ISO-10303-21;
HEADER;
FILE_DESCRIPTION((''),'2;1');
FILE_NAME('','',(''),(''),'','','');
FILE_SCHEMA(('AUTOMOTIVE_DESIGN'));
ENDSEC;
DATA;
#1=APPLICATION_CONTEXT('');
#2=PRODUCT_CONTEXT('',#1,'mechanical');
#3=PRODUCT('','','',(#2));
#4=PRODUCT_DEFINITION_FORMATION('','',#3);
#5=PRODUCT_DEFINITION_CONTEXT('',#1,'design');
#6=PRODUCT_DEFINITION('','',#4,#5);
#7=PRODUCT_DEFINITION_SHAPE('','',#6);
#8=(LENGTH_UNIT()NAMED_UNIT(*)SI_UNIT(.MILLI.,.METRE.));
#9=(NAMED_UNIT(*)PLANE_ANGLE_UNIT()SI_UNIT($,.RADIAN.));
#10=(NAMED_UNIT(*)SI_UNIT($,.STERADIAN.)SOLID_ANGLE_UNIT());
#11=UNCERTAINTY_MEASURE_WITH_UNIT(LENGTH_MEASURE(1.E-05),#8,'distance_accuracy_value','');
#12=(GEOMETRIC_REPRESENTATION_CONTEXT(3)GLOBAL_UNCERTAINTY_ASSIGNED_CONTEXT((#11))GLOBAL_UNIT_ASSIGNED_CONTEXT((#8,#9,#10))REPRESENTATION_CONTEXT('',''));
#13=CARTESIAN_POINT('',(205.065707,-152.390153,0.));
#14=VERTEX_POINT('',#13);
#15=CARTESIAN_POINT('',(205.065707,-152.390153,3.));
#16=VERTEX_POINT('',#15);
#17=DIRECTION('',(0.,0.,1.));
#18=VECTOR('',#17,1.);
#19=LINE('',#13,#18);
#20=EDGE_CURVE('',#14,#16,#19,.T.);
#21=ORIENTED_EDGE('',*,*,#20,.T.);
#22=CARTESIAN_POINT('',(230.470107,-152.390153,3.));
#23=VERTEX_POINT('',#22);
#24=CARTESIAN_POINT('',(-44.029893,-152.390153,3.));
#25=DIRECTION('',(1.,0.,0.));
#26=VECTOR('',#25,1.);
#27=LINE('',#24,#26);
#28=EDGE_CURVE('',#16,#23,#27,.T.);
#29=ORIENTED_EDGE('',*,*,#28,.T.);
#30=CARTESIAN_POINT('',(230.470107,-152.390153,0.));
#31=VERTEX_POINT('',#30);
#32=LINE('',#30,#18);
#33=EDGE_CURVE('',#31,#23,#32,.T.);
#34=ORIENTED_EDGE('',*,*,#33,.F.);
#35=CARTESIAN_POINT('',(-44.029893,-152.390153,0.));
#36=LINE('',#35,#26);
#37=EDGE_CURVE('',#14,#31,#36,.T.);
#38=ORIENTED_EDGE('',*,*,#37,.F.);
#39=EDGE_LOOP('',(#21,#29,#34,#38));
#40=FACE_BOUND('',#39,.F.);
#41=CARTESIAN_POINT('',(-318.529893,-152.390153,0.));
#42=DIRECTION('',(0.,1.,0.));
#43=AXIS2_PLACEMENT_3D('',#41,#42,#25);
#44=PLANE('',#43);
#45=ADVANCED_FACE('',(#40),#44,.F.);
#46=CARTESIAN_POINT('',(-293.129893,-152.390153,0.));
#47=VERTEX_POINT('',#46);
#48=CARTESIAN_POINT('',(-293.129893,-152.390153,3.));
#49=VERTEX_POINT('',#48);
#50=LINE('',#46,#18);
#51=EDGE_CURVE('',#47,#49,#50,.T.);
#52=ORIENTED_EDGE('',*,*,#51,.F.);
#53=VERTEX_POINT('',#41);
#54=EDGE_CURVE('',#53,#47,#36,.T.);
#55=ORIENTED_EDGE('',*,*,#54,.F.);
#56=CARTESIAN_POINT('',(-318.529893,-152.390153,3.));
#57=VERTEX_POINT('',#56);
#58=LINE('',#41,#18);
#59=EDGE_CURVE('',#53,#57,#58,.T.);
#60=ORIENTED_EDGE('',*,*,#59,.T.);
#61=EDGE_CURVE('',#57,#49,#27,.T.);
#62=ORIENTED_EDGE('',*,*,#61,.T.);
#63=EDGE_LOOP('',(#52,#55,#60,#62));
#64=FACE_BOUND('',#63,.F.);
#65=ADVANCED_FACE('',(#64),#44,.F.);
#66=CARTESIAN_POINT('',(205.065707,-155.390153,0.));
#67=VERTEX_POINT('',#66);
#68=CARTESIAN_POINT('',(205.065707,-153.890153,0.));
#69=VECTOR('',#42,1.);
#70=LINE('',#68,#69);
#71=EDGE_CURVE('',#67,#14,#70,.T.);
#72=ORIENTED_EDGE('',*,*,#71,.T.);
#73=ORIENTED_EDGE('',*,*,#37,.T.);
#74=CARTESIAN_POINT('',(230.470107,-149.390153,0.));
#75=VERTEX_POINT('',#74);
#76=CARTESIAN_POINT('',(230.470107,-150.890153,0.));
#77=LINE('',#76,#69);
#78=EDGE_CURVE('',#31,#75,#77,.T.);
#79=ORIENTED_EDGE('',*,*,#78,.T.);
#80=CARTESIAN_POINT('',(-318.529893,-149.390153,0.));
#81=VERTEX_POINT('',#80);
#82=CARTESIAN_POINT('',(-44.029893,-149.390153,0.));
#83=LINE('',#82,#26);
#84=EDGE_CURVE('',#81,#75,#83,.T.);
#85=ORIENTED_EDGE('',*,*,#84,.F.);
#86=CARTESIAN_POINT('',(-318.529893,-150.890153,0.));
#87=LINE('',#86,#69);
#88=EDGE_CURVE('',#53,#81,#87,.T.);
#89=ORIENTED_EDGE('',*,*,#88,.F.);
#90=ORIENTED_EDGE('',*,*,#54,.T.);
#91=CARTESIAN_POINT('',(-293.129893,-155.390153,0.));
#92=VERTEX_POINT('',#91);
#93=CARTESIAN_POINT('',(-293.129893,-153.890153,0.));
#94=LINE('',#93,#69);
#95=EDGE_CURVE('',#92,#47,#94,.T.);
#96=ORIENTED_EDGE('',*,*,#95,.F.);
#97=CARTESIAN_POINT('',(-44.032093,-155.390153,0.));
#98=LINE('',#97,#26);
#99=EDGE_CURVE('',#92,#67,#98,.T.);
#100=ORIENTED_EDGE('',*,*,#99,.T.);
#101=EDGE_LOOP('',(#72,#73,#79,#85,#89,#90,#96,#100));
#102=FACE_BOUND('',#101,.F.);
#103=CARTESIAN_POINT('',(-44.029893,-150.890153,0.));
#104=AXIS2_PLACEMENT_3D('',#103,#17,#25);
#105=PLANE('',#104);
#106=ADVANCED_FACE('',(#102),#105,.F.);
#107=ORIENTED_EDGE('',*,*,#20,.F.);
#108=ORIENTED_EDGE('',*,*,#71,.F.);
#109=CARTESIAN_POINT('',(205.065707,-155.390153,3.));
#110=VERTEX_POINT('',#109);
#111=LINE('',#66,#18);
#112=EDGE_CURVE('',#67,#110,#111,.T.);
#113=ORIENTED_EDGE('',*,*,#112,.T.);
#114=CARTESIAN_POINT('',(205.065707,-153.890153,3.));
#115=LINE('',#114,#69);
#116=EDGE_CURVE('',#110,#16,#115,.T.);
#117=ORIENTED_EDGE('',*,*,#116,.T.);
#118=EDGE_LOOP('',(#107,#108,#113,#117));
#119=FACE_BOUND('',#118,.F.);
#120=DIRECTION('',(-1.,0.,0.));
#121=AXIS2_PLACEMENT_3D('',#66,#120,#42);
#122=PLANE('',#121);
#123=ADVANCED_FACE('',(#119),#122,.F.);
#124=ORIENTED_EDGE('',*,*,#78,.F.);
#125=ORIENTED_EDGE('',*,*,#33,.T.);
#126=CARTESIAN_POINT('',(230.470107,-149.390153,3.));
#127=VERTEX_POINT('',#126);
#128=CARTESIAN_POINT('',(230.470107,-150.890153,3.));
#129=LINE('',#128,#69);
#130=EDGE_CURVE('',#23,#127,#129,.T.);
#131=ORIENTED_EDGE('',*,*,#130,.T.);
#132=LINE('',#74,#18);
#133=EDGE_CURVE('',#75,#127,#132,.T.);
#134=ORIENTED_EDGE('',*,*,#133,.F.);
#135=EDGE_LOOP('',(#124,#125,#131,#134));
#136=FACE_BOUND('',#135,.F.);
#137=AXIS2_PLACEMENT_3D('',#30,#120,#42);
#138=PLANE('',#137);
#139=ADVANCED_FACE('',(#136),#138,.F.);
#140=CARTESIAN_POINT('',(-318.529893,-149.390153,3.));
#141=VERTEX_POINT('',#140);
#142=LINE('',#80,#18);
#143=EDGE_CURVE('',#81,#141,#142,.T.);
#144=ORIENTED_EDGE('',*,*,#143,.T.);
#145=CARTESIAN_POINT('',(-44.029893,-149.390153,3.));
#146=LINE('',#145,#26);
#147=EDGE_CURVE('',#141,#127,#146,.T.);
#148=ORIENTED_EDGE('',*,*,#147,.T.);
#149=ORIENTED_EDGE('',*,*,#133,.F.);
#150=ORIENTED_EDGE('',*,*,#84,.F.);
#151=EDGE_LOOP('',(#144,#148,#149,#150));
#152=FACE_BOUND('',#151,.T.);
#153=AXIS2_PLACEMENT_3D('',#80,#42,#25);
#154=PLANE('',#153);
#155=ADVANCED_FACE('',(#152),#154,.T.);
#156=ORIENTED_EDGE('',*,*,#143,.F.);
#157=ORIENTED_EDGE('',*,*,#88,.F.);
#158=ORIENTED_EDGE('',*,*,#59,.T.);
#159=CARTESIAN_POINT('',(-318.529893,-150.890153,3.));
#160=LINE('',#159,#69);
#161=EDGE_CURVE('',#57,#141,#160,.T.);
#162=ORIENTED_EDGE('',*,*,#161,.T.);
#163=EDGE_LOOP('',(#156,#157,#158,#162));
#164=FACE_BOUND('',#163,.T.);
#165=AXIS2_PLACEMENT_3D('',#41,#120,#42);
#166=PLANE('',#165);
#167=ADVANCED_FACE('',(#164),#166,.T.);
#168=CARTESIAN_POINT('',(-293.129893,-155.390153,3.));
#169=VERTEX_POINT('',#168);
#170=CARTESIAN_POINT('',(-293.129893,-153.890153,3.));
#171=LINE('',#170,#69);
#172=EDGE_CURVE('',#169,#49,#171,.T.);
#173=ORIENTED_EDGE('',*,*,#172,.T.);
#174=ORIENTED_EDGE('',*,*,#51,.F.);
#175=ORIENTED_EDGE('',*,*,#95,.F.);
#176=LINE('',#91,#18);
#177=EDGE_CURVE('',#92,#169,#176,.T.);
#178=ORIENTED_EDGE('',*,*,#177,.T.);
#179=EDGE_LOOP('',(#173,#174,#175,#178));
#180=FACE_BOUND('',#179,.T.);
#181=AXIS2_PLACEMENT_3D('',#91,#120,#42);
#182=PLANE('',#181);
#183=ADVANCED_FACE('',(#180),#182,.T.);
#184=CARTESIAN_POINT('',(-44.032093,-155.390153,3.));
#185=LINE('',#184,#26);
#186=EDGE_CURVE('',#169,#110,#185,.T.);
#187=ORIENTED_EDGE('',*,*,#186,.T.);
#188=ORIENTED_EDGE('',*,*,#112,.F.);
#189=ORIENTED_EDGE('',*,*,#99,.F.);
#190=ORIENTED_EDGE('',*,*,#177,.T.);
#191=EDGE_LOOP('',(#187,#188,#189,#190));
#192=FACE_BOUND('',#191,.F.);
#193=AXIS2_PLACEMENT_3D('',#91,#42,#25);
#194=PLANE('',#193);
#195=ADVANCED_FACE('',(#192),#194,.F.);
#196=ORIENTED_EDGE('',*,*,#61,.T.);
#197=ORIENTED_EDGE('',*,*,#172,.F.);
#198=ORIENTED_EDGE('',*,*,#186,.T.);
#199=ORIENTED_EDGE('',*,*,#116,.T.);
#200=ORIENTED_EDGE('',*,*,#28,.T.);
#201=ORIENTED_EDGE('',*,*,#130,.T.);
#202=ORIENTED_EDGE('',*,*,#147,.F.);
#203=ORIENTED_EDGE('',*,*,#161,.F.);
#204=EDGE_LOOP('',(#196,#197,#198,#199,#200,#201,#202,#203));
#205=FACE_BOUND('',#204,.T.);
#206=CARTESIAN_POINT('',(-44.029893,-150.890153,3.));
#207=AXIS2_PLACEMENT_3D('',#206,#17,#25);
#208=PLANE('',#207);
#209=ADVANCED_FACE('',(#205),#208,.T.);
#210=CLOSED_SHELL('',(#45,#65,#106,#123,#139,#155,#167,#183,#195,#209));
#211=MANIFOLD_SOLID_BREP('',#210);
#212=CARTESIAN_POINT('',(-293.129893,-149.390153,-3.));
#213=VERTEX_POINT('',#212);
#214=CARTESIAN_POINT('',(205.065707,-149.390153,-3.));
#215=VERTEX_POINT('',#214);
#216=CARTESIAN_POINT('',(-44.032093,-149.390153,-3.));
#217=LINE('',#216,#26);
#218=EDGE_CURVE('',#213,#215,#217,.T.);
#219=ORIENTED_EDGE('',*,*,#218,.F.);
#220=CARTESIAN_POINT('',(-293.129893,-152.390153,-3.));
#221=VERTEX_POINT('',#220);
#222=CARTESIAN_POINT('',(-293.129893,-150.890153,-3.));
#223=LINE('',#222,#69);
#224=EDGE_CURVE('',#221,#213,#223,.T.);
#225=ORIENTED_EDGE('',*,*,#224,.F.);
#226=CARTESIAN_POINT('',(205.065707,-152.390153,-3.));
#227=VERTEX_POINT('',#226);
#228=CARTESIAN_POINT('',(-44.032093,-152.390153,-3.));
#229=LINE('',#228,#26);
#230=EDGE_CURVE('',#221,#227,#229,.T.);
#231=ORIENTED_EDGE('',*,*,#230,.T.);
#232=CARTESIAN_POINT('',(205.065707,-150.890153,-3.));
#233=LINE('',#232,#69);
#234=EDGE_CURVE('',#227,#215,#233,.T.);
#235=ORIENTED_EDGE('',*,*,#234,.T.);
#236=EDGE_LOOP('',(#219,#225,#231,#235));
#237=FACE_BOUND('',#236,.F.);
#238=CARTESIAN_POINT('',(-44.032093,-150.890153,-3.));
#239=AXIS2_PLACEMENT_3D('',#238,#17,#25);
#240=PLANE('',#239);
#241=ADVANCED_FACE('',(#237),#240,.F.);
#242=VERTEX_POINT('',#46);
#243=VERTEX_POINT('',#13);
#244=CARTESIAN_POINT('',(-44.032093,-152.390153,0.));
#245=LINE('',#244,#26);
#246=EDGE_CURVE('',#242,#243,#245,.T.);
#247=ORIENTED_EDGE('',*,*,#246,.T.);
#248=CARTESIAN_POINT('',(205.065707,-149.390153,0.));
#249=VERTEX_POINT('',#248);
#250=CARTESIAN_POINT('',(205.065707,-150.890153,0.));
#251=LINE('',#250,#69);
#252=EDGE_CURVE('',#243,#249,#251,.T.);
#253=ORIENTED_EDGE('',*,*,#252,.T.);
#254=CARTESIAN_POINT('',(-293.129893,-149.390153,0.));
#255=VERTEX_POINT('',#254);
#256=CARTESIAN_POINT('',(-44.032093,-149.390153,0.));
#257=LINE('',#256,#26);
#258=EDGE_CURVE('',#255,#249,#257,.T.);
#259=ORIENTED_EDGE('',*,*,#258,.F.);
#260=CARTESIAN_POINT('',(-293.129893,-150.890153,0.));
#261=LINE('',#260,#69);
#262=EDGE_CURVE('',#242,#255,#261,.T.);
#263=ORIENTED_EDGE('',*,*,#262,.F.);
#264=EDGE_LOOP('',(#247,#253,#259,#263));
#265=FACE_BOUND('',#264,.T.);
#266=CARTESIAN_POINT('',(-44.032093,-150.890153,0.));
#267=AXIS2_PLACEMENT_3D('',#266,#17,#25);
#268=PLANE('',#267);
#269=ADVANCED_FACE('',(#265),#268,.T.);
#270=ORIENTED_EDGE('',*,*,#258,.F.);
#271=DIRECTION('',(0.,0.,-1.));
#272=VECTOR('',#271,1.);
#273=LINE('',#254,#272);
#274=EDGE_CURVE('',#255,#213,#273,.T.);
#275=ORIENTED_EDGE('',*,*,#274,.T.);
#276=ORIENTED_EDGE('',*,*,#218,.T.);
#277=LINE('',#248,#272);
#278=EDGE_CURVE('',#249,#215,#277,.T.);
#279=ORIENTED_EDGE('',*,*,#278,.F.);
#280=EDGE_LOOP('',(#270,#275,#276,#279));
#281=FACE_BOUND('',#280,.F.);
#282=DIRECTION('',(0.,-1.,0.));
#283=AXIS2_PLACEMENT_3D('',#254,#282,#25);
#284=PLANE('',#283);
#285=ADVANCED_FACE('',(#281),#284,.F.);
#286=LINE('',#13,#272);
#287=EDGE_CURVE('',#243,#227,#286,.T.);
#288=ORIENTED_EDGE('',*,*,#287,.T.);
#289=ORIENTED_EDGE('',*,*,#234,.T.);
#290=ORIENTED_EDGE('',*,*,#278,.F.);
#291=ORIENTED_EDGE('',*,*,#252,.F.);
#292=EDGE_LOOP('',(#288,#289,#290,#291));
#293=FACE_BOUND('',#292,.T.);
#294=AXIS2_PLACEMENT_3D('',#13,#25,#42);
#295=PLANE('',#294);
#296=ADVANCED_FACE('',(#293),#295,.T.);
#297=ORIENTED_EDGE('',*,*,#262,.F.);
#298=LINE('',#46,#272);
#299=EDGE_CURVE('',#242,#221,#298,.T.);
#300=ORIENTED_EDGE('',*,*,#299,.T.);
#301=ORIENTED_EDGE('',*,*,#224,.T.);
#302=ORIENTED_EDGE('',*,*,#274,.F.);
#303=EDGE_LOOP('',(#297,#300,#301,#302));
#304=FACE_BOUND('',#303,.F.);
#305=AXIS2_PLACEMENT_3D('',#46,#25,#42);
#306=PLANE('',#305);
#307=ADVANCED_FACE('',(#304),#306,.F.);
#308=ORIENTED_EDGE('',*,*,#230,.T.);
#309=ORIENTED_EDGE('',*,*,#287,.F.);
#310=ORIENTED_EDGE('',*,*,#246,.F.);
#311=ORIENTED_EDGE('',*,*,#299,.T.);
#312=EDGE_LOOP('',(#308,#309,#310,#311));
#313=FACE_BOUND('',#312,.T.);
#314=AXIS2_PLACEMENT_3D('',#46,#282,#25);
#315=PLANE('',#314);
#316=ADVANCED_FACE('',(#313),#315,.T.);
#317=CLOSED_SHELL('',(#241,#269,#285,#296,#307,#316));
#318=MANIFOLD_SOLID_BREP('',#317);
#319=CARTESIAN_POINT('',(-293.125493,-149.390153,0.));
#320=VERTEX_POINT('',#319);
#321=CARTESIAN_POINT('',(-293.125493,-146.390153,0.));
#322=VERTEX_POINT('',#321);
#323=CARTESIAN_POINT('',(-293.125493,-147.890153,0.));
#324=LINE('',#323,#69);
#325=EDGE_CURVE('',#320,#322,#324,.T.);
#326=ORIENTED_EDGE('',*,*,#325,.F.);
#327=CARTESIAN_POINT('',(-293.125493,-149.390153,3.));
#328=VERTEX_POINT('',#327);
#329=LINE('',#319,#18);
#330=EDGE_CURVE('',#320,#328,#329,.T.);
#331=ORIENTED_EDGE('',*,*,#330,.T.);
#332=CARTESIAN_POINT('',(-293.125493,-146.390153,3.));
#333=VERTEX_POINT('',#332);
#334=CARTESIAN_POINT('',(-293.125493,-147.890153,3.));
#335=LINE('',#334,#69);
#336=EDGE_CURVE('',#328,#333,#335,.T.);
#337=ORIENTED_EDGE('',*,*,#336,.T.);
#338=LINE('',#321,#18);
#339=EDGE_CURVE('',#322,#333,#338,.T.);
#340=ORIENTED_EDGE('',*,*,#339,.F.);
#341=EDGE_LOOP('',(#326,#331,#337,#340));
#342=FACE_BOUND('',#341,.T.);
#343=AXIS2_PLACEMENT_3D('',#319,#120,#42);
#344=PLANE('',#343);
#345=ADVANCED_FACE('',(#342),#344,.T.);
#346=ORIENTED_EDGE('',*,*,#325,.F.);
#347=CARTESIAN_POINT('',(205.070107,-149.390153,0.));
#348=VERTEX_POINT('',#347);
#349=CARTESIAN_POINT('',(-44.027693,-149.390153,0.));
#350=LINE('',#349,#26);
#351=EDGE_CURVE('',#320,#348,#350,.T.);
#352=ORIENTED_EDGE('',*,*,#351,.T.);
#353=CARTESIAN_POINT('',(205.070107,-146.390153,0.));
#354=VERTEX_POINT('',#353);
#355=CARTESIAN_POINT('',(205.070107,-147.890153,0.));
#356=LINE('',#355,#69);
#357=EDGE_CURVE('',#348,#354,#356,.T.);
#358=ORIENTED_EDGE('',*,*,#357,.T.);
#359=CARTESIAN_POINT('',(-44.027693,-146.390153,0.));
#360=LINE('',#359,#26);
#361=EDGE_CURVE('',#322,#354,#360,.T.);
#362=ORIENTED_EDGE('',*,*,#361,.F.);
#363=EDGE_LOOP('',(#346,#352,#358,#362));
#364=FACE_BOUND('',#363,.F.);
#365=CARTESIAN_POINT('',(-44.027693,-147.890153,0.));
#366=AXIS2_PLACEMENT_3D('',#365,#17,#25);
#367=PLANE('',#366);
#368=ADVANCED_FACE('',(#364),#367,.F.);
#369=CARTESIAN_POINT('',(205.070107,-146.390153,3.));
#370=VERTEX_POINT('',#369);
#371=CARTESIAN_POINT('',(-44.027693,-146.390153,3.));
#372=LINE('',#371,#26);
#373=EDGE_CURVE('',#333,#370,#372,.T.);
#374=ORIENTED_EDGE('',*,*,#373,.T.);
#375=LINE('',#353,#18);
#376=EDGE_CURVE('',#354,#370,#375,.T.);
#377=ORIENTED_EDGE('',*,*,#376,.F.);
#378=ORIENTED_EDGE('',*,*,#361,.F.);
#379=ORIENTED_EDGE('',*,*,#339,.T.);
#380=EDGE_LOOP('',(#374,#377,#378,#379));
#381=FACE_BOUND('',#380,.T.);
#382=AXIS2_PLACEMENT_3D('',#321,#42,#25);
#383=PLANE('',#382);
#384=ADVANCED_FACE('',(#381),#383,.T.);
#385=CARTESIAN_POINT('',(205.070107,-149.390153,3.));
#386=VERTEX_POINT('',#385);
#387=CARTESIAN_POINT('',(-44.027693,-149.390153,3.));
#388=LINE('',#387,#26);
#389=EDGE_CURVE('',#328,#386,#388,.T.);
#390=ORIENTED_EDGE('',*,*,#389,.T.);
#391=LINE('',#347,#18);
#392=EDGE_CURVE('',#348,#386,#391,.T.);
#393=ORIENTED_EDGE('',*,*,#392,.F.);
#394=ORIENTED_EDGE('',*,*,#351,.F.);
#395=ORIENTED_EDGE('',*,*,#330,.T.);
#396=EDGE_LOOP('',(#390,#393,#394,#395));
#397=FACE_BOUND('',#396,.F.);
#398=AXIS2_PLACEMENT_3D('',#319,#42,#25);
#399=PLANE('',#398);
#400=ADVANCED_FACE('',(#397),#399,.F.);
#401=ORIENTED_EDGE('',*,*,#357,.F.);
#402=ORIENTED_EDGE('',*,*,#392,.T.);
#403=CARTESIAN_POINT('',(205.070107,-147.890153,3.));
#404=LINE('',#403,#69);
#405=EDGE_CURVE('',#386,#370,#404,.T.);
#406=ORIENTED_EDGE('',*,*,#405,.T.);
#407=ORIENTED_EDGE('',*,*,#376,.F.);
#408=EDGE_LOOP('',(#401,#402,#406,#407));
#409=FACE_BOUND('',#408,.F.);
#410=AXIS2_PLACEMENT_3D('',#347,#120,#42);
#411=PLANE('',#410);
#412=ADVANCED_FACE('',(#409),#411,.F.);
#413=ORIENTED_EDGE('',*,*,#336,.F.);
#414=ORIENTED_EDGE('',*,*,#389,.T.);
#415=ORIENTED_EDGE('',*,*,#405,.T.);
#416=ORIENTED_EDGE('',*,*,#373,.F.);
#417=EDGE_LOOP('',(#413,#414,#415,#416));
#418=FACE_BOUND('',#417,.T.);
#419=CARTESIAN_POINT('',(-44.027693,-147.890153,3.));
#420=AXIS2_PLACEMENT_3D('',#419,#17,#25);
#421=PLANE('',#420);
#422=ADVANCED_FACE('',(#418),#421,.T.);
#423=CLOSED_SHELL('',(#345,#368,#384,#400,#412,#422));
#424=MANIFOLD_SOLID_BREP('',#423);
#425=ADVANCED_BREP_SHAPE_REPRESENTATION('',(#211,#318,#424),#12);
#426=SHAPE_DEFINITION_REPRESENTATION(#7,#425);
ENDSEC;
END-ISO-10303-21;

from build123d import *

# Parameters (mm, degrees)
F0_W     = 549
F0_H     = 3
F1_DEPTH = 3
F2_W     = 498.1956
F2_H     = 3
F3_DEPTH = 3
F4_W     = 498.1956
F4_H     = 3
F5_DEPTH = 3
F6_W     = 498.1956
F6_H     = 3
F7_DEPTH = 3


with BuildPart() as f1:
    # F0 (on Top) → F1 (new body)
    with BuildSketch(Plane.XY):
        with Locations((-44.029893, -150.890153)):
            Rectangle(F0_W, F0_H)
    extrude(amount=F1_DEPTH)

    # F2 (on Top) → F3 (join)
    with BuildSketch(Plane.XY):
        with Locations((-44.032093, -153.890153)):
            Rectangle(F2_W, F2_H)
    extrude(amount=F3_DEPTH)


with BuildPart() as f5:
    # F4 (on Top) → F5 (new body)
    with BuildSketch(Plane.XY):
        with Locations((-44.027693, -147.890153)):
            Rectangle(F4_W, F4_H)
    extrude(amount=F5_DEPTH)


with BuildPart() as f7:
    # F6 (on Top) → F7 (new body)
    with BuildSketch(Plane.XY):
        with Locations((-44.032093, -150.890153)):
            Rectangle(F6_W, F6_H)
    extrude(amount=-F7_DEPTH)


solid = Compound([f1.part, f5.part, f7.part])
